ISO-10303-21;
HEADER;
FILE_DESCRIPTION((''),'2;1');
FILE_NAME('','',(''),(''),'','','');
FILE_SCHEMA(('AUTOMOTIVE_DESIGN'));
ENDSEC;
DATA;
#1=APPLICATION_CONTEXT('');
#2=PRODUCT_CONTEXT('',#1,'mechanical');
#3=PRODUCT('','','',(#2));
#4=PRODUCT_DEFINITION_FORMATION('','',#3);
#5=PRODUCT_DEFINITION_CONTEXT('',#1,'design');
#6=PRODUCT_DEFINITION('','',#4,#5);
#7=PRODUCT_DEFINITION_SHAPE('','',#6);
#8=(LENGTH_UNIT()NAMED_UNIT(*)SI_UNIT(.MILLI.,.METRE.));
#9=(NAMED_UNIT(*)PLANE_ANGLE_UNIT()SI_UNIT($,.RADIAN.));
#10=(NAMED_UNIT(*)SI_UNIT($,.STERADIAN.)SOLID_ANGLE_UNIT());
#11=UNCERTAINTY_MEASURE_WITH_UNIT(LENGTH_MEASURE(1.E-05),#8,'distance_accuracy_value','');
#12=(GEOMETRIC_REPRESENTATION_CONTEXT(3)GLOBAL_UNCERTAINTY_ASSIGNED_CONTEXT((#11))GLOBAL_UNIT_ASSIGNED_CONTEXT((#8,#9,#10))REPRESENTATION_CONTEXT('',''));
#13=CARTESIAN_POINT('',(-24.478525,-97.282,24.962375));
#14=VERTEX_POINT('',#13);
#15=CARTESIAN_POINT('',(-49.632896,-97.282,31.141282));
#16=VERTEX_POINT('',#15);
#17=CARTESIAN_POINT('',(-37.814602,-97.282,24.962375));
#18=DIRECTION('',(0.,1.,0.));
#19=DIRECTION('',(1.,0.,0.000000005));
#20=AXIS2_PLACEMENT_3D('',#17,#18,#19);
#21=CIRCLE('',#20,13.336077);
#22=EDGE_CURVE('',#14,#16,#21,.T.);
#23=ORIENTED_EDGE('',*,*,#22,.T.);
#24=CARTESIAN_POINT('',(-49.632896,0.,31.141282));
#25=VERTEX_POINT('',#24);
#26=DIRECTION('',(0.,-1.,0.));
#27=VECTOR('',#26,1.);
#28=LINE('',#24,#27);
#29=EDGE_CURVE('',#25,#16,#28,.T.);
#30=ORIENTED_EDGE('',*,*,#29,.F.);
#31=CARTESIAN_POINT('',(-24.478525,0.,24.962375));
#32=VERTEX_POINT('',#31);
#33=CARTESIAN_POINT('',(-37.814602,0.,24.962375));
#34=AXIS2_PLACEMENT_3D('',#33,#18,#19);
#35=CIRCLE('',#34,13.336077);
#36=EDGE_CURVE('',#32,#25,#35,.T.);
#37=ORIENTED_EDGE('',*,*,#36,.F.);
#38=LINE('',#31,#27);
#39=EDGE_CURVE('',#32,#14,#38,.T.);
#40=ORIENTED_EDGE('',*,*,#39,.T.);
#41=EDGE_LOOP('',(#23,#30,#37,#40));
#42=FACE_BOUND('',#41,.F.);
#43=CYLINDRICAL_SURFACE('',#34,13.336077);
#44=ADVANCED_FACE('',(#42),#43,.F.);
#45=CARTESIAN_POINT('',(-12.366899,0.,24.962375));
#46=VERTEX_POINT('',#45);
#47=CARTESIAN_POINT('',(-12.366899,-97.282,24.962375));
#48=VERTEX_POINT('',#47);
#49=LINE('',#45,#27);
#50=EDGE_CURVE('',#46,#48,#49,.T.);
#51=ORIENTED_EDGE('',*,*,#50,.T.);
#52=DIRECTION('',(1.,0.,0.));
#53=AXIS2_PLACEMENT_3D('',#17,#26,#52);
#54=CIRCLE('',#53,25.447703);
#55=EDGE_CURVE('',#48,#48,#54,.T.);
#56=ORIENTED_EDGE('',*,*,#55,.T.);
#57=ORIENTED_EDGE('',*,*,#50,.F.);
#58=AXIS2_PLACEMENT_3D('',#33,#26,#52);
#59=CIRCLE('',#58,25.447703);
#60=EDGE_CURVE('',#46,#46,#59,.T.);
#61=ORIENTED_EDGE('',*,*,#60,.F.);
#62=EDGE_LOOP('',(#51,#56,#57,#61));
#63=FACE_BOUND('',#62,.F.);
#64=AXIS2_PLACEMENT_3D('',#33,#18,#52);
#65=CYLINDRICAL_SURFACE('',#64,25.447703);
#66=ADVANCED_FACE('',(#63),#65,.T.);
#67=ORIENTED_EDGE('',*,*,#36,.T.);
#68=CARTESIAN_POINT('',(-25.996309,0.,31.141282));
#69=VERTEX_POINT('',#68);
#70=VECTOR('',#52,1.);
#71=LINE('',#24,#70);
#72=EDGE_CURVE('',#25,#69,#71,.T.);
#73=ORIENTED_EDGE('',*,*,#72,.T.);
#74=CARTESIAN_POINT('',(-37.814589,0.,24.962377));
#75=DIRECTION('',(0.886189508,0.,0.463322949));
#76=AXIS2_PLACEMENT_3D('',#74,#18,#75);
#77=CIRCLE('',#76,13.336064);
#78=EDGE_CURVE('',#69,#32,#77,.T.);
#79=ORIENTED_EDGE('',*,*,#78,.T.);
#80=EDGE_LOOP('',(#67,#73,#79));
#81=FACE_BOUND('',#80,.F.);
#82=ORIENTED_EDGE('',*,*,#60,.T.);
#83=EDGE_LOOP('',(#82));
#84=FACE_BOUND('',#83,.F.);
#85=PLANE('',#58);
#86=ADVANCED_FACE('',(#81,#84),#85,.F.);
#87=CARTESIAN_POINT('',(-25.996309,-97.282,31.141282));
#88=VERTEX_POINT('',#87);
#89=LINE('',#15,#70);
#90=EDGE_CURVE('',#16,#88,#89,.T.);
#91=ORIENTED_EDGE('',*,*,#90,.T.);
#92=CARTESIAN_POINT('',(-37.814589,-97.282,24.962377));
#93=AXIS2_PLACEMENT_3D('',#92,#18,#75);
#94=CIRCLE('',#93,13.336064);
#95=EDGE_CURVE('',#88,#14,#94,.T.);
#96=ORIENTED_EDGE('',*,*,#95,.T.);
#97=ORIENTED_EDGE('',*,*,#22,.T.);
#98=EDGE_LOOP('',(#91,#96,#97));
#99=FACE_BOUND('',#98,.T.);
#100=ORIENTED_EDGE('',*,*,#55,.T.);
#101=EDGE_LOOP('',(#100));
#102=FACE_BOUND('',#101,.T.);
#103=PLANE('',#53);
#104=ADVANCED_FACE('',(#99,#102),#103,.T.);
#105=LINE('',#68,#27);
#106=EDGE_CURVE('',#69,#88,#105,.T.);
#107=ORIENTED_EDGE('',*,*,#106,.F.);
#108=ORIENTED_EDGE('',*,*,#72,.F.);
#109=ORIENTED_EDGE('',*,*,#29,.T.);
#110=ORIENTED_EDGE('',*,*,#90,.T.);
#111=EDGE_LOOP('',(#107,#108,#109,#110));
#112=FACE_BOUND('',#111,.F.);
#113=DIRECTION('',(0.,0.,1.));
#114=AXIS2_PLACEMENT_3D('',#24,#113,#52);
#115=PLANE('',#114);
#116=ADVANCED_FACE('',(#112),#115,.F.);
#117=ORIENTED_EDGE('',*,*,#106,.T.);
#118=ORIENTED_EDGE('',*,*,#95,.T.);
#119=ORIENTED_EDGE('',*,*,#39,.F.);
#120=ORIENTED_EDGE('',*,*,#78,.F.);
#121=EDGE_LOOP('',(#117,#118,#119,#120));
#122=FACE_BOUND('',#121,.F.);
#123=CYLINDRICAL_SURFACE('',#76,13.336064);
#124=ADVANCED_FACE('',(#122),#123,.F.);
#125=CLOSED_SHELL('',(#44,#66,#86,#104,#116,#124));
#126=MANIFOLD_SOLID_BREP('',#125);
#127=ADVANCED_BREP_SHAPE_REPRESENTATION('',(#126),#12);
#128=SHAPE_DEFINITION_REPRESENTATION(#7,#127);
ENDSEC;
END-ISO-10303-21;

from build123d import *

# Parameters (mm, degrees)
F0_R     = 25.447703
F1_DEPTH = 97.282


with BuildPart() as f1:
    # F0 (on Front) → F1 (new body)
    with BuildSketch(Plane.XZ):
        with Locations((-37.814602, 24.962375)):
            Circle(F0_R)
        with BuildLine():
            ThreePointArc((-25.996309, 31.141282), (-24.863528, 28.14367), (-24.478525, 24.962375))
            ThreePointArc((-24.478525, 24.962375), (-40.995898, 12.011301), (-49.632896, 31.141282))
            ThreePointArc((-49.632896, 31.141282), (-37.814602, 38.298452), (-25.996309, 31.141282))
        make_face(mode=Mode.SUBTRACT)
        with BuildLine():
            Line((-49.632896, 31.141282), (-25.996309, 31.141282))
            ThreePointArc((-25.996309, 31.141282), (-37.814602, 38.298452), (-49.632896, 31.141282))
        make_face()
    extrude(amount=F1_DEPTH)


solid = f1.part
